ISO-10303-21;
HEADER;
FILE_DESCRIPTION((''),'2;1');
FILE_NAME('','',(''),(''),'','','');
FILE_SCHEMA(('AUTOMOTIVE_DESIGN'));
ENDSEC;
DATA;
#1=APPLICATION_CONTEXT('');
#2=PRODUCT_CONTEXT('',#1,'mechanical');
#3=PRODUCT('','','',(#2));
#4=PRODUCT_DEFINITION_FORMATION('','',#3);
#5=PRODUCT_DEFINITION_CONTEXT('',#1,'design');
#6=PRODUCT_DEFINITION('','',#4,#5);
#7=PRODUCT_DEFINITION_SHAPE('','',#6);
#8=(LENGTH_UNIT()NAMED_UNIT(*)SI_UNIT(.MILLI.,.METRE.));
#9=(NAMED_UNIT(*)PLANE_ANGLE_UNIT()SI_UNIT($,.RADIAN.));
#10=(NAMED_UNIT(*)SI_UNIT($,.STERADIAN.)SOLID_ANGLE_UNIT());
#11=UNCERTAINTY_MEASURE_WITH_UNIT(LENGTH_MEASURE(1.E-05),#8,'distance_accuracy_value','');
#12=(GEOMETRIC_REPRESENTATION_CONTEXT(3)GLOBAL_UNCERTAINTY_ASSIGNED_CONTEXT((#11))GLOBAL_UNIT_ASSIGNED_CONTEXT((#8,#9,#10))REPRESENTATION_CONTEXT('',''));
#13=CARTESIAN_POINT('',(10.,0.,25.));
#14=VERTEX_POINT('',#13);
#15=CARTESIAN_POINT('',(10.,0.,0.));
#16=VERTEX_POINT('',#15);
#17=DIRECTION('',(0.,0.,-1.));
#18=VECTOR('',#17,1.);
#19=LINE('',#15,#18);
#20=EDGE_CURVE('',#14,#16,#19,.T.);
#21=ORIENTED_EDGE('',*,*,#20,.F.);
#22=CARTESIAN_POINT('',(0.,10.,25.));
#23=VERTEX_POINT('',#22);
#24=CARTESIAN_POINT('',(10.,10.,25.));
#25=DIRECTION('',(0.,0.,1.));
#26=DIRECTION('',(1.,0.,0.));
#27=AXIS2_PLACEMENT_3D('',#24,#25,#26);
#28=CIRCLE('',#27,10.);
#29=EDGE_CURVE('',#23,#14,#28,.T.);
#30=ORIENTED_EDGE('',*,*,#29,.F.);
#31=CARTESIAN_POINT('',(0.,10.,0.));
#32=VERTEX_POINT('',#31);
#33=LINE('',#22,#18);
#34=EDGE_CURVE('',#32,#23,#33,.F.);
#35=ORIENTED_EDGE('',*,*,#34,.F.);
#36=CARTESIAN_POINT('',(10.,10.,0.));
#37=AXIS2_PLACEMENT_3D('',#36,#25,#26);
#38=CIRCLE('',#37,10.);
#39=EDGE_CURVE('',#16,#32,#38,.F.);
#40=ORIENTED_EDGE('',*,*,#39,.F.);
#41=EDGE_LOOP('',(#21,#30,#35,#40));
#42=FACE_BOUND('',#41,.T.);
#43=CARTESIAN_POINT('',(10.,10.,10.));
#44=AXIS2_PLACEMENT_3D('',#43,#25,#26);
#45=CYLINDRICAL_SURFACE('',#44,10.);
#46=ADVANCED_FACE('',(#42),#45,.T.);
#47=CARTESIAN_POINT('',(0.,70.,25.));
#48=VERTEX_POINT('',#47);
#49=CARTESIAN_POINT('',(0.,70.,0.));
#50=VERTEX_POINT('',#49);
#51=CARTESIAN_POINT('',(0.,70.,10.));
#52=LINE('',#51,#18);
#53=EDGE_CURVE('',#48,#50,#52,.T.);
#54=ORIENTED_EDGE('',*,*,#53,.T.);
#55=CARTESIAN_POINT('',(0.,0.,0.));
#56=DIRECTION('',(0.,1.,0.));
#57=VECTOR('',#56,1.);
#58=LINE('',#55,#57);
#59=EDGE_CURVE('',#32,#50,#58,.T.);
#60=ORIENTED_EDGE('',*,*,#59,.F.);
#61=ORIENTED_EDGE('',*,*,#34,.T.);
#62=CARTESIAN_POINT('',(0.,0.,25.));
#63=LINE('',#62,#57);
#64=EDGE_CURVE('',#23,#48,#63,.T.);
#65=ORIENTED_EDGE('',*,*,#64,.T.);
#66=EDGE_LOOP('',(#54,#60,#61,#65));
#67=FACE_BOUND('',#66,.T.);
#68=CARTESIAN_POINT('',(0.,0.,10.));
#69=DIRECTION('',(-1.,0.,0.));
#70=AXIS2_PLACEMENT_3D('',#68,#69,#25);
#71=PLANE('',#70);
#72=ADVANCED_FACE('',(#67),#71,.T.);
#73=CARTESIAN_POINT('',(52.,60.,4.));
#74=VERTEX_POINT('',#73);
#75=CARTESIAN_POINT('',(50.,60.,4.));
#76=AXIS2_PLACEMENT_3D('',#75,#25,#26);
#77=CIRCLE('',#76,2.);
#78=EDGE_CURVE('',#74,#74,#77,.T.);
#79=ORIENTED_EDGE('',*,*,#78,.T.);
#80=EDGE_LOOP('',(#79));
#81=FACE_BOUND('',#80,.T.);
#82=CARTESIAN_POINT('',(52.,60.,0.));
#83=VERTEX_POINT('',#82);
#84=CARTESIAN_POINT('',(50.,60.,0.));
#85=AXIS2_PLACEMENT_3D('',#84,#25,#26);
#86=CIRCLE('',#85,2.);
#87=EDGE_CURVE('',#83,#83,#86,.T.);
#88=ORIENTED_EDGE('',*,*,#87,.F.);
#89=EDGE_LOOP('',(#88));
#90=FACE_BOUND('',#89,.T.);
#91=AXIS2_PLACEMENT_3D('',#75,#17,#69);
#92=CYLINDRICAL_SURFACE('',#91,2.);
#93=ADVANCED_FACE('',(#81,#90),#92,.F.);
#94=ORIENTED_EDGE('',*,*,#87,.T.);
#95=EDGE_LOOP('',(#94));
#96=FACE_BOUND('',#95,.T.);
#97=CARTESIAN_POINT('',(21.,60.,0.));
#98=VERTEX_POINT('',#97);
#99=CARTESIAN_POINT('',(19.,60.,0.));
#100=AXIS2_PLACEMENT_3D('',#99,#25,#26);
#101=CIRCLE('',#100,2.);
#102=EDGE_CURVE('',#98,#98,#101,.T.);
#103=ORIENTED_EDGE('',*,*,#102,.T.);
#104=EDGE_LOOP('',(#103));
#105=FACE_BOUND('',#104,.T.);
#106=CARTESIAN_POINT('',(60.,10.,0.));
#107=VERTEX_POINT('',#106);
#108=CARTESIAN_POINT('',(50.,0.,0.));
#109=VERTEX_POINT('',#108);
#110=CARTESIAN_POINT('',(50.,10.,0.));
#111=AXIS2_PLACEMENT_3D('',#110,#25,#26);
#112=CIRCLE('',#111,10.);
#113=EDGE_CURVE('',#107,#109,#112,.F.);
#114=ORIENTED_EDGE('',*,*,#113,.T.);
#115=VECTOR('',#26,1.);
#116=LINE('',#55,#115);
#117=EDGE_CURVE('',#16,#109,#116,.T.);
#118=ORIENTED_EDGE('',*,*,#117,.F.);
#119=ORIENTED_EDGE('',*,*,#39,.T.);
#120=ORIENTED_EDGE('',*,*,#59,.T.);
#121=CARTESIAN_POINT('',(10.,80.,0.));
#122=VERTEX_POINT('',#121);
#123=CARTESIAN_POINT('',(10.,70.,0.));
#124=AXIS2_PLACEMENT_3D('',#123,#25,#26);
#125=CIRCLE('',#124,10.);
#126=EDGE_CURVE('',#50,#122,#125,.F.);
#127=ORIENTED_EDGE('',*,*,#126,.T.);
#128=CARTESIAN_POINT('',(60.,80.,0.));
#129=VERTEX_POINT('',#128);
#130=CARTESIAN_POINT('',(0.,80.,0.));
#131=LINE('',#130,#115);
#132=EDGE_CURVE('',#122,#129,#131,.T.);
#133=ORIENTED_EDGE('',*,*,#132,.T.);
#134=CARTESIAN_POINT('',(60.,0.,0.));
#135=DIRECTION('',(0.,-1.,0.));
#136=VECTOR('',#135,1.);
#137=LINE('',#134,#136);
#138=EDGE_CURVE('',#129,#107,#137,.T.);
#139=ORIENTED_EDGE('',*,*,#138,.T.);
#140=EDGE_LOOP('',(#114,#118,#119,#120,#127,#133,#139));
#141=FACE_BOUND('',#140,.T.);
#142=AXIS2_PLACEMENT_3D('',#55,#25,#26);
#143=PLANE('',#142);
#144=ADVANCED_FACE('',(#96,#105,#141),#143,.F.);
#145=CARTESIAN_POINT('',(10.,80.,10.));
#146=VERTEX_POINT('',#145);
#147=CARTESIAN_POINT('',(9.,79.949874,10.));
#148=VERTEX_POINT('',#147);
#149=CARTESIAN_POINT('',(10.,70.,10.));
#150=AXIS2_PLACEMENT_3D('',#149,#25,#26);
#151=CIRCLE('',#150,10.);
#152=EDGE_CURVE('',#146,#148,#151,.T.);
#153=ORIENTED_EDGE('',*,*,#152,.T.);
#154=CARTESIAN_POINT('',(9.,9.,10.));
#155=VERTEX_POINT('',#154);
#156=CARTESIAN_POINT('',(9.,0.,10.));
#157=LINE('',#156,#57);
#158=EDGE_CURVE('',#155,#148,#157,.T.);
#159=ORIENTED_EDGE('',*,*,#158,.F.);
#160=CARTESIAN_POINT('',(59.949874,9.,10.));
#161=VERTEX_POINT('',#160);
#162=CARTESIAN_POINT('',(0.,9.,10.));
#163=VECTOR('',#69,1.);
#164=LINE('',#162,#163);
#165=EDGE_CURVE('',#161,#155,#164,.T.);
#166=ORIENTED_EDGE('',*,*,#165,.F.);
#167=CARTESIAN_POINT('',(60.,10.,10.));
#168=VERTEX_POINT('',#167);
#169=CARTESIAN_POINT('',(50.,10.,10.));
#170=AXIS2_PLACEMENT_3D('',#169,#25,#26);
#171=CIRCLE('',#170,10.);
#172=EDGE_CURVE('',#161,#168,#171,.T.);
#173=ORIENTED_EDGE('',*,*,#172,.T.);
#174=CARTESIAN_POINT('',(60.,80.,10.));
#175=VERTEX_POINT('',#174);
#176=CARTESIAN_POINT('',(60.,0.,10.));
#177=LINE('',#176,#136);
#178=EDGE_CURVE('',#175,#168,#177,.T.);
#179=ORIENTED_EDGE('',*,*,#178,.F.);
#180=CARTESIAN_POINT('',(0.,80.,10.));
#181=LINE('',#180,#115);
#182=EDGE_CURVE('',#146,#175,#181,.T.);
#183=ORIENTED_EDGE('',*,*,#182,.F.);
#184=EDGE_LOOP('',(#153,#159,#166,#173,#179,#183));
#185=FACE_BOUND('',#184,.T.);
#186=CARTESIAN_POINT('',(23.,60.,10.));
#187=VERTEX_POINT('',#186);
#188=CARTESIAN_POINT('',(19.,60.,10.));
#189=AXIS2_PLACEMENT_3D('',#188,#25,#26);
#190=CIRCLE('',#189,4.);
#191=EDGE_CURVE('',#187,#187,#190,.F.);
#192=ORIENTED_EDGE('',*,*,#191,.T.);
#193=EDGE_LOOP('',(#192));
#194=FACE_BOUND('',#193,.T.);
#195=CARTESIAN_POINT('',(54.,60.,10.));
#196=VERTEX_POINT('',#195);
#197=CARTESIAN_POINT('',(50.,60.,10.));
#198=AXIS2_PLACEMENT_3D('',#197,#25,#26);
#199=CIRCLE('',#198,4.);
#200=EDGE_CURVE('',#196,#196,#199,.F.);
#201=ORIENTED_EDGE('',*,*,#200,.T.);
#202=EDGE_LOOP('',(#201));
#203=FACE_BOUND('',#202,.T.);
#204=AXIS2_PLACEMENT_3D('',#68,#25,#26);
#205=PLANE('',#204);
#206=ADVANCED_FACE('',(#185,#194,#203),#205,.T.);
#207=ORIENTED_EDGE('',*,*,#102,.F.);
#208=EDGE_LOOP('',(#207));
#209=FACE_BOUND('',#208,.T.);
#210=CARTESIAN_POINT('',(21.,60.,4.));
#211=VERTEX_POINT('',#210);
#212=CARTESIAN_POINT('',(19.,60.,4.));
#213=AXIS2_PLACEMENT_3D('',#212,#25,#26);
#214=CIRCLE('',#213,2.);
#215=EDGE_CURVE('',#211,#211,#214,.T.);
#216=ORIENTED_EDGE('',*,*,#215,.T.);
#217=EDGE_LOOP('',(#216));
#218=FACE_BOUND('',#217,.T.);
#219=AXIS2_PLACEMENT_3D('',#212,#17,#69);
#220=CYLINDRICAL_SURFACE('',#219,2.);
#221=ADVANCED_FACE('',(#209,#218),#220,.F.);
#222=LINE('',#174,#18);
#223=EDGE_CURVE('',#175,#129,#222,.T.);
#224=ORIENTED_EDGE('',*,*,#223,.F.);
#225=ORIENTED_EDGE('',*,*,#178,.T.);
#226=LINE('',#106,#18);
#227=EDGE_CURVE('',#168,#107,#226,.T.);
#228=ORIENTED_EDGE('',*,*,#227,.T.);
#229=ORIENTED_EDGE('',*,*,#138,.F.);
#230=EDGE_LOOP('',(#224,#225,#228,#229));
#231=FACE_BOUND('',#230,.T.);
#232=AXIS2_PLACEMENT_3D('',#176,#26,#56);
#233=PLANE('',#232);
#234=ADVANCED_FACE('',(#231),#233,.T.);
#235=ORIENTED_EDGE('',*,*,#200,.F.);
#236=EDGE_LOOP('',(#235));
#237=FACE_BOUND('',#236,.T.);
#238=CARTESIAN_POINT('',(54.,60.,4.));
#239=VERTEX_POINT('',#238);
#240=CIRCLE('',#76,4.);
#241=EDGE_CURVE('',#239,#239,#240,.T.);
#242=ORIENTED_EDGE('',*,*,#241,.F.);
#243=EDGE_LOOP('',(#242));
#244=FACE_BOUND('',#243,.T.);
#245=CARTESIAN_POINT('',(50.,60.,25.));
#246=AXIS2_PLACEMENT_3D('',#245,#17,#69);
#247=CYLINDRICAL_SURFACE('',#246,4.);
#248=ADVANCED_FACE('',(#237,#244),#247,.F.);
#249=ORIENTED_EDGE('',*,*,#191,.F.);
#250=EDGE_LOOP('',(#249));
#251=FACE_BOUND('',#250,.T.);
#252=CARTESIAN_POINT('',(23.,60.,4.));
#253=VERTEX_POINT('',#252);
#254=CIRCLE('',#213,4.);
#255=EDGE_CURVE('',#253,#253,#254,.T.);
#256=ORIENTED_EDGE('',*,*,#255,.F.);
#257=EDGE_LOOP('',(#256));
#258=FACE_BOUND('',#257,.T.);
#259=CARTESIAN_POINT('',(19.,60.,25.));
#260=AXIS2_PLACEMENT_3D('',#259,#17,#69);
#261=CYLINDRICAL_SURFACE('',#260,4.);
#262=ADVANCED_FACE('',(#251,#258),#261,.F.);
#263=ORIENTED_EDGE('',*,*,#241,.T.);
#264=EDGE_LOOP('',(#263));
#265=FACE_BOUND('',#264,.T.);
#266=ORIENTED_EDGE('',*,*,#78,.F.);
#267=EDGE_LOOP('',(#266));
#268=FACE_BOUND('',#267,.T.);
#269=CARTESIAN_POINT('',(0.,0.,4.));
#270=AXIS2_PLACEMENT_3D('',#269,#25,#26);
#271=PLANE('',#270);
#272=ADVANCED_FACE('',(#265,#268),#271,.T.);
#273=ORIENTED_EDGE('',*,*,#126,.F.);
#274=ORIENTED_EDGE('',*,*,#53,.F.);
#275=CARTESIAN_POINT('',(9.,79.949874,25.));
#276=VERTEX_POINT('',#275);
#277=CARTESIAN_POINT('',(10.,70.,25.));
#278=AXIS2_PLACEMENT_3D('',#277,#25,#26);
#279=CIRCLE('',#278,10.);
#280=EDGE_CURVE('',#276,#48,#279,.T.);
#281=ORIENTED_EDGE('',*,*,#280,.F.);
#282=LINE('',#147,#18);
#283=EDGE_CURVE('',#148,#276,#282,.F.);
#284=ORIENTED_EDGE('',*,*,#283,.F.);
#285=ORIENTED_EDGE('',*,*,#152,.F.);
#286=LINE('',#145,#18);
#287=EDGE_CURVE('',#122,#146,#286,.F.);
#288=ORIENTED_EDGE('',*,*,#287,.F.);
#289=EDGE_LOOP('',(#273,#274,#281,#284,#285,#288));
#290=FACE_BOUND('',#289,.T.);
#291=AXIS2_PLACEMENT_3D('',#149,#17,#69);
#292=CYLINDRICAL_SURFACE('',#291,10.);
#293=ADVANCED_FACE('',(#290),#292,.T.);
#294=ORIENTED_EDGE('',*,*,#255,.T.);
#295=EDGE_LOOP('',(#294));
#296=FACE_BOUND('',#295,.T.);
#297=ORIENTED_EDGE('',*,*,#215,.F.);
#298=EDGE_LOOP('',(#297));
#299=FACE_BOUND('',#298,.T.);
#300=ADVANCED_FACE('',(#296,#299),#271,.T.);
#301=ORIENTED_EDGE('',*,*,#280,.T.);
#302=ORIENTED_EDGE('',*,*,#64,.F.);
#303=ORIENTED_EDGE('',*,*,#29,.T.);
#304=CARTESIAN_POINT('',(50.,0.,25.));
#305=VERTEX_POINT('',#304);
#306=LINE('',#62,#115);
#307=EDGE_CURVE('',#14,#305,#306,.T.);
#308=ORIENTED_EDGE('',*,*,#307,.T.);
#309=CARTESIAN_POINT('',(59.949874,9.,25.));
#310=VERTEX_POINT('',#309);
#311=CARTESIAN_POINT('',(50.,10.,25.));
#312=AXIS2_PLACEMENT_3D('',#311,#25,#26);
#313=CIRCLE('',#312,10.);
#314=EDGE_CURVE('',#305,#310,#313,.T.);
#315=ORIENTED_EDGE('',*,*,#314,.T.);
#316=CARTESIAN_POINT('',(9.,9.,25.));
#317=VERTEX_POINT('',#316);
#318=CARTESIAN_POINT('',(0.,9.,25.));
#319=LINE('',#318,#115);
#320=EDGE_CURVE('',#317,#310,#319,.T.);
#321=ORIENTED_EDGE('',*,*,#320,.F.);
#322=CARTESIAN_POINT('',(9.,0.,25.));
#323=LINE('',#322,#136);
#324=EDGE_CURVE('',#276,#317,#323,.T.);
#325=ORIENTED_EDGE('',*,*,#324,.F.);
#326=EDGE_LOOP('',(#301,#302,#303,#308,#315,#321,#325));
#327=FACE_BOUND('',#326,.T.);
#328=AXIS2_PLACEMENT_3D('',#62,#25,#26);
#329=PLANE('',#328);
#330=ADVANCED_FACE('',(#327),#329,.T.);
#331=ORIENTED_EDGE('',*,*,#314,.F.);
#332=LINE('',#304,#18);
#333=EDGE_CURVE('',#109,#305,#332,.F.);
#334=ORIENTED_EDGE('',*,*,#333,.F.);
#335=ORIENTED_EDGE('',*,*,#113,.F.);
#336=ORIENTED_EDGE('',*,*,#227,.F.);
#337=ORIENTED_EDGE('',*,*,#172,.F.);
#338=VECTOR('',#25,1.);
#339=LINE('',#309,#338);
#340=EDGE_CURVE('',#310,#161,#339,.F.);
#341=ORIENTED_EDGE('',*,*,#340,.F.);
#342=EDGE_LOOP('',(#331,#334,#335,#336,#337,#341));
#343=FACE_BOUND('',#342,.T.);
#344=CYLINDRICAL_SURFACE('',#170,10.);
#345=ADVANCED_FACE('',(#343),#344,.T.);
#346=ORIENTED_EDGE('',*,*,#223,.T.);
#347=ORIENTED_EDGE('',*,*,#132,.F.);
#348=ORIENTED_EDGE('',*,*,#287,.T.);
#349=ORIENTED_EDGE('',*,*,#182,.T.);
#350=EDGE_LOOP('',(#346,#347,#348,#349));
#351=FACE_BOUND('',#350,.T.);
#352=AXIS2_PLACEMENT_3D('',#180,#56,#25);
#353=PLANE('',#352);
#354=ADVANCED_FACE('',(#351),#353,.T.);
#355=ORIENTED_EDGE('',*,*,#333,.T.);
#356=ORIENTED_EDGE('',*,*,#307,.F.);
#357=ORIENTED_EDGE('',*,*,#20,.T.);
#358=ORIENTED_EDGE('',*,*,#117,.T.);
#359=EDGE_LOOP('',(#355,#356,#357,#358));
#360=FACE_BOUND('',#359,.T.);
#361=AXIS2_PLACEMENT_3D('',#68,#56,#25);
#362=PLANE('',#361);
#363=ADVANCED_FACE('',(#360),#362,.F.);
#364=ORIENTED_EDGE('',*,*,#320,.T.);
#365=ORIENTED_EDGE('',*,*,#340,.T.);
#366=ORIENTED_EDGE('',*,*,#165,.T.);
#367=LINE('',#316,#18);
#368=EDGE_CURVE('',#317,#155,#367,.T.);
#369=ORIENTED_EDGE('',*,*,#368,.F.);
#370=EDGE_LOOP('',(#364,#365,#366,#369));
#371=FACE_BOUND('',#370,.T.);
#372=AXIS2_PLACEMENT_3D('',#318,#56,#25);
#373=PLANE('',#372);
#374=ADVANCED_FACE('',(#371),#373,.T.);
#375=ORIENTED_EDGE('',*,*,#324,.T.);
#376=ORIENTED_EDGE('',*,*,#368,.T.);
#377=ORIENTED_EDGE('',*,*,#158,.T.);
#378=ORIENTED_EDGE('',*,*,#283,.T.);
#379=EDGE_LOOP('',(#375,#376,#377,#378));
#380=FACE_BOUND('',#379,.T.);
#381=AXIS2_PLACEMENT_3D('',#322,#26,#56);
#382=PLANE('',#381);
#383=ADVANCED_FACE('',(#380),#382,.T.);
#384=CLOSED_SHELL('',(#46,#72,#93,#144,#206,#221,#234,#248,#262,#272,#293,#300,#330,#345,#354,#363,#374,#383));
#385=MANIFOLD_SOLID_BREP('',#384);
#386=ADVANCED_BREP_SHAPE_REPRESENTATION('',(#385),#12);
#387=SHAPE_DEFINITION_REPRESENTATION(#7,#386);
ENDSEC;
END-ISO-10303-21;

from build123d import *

# Parameters (mm, degrees)
SKETCH1_W           = 60
SKETCH1_H           = 80
BOSS_EXTRUDE4_DEPTH = 10
BOSS_EXTRUDE5_DEPTH = 25
SKETCH1_15_R        = 2
CUT_EXTRUDE1_DEPTH  = 25
SKETCH1_16_R        = 4
SKETCH1_16_R_2      = 2
CUT_EXTRUDE2_DEPTH  = 25
SKETCH1_18_R        = 4
SKETCH1_18_R_2      = 2
BOSS_EXTRUDE7_DEPTH = 4
FILLET1_R           = 10


with BuildPart() as part:
    # Sketch1 → Boss-Extrude4 (new body)
    with BuildSketch(Plane.XY):
        with Locations((30, 40)):
            Rectangle(SKETCH1_W, SKETCH1_H)
    extrude(amount=BOSS_EXTRUDE4_DEPTH)

    # Sketch1<12> → Boss-Extrude5 (add)
    with BuildSketch(Plane.XY):
        Polygon((9, 9), (9, 80), (0, 80), (0, 0), (60, 0), (60, 9), align=None)
    extrude(amount=BOSS_EXTRUDE5_DEPTH)

    # Sketch1<15> → Cut-Extrude1 (cut)
    with BuildSketch(Plane.XY):
        with Locations((50, 60)):
            Circle(SKETCH1_15_R)
        with Locations((19, 60)):
            Circle(SKETCH1_15_R)
    extrude(amount=CUT_EXTRUDE1_DEPTH, mode=Mode.SUBTRACT)

    # Sketch1<16> → Cut-Extrude2 (cut)
    # profile 1 of 2: a face of its own
    with BuildSketch(Plane.XY):
        with Locations((50, 60)):
            Circle(SKETCH1_16_R)
        with Locations((50, 60)):
            Circle(SKETCH1_16_R_2, mode=Mode.SUBTRACT)
    # profile 2 of 2: a face of its own
    with BuildSketch(Plane.XY):
        with Locations((19, 60)):
            Circle(SKETCH1_16_R)
        with Locations((19, 60)):
            Circle(SKETCH1_16_R_2, mode=Mode.SUBTRACT)
    extrude(amount=CUT_EXTRUDE2_DEPTH, mode=Mode.SUBTRACT)

    # Sketch1<18> → Boss-Extrude7 (add)
    # profile 1 of 2: a face of its own
    with BuildSketch(Plane.XY):
        with Locations((50, 60)):
            Circle(SKETCH1_18_R)
        with Locations((50, 60)):
            Circle(SKETCH1_18_R_2, mode=Mode.SUBTRACT)
    # profile 2 of 2: a face of its own
    with BuildSketch(Plane.XY):
        with Locations((19, 60)):
            Circle(SKETCH1_18_R)
        with Locations((19, 60)):
            Circle(SKETCH1_18_R_2, mode=Mode.SUBTRACT)
    extrude(amount=BOSS_EXTRUDE7_DEPTH)

    # Fillet1
    fillet1_edges = [part.edges().sort_by_distance(p)[0] for p in [
        (60, 0, 12.5),
        (0, 80, 12.5),
        (0, 0, 12.5),
    ]]
    fillet(fillet1_edges, radius=FILLET1_R)


solid = part.part
